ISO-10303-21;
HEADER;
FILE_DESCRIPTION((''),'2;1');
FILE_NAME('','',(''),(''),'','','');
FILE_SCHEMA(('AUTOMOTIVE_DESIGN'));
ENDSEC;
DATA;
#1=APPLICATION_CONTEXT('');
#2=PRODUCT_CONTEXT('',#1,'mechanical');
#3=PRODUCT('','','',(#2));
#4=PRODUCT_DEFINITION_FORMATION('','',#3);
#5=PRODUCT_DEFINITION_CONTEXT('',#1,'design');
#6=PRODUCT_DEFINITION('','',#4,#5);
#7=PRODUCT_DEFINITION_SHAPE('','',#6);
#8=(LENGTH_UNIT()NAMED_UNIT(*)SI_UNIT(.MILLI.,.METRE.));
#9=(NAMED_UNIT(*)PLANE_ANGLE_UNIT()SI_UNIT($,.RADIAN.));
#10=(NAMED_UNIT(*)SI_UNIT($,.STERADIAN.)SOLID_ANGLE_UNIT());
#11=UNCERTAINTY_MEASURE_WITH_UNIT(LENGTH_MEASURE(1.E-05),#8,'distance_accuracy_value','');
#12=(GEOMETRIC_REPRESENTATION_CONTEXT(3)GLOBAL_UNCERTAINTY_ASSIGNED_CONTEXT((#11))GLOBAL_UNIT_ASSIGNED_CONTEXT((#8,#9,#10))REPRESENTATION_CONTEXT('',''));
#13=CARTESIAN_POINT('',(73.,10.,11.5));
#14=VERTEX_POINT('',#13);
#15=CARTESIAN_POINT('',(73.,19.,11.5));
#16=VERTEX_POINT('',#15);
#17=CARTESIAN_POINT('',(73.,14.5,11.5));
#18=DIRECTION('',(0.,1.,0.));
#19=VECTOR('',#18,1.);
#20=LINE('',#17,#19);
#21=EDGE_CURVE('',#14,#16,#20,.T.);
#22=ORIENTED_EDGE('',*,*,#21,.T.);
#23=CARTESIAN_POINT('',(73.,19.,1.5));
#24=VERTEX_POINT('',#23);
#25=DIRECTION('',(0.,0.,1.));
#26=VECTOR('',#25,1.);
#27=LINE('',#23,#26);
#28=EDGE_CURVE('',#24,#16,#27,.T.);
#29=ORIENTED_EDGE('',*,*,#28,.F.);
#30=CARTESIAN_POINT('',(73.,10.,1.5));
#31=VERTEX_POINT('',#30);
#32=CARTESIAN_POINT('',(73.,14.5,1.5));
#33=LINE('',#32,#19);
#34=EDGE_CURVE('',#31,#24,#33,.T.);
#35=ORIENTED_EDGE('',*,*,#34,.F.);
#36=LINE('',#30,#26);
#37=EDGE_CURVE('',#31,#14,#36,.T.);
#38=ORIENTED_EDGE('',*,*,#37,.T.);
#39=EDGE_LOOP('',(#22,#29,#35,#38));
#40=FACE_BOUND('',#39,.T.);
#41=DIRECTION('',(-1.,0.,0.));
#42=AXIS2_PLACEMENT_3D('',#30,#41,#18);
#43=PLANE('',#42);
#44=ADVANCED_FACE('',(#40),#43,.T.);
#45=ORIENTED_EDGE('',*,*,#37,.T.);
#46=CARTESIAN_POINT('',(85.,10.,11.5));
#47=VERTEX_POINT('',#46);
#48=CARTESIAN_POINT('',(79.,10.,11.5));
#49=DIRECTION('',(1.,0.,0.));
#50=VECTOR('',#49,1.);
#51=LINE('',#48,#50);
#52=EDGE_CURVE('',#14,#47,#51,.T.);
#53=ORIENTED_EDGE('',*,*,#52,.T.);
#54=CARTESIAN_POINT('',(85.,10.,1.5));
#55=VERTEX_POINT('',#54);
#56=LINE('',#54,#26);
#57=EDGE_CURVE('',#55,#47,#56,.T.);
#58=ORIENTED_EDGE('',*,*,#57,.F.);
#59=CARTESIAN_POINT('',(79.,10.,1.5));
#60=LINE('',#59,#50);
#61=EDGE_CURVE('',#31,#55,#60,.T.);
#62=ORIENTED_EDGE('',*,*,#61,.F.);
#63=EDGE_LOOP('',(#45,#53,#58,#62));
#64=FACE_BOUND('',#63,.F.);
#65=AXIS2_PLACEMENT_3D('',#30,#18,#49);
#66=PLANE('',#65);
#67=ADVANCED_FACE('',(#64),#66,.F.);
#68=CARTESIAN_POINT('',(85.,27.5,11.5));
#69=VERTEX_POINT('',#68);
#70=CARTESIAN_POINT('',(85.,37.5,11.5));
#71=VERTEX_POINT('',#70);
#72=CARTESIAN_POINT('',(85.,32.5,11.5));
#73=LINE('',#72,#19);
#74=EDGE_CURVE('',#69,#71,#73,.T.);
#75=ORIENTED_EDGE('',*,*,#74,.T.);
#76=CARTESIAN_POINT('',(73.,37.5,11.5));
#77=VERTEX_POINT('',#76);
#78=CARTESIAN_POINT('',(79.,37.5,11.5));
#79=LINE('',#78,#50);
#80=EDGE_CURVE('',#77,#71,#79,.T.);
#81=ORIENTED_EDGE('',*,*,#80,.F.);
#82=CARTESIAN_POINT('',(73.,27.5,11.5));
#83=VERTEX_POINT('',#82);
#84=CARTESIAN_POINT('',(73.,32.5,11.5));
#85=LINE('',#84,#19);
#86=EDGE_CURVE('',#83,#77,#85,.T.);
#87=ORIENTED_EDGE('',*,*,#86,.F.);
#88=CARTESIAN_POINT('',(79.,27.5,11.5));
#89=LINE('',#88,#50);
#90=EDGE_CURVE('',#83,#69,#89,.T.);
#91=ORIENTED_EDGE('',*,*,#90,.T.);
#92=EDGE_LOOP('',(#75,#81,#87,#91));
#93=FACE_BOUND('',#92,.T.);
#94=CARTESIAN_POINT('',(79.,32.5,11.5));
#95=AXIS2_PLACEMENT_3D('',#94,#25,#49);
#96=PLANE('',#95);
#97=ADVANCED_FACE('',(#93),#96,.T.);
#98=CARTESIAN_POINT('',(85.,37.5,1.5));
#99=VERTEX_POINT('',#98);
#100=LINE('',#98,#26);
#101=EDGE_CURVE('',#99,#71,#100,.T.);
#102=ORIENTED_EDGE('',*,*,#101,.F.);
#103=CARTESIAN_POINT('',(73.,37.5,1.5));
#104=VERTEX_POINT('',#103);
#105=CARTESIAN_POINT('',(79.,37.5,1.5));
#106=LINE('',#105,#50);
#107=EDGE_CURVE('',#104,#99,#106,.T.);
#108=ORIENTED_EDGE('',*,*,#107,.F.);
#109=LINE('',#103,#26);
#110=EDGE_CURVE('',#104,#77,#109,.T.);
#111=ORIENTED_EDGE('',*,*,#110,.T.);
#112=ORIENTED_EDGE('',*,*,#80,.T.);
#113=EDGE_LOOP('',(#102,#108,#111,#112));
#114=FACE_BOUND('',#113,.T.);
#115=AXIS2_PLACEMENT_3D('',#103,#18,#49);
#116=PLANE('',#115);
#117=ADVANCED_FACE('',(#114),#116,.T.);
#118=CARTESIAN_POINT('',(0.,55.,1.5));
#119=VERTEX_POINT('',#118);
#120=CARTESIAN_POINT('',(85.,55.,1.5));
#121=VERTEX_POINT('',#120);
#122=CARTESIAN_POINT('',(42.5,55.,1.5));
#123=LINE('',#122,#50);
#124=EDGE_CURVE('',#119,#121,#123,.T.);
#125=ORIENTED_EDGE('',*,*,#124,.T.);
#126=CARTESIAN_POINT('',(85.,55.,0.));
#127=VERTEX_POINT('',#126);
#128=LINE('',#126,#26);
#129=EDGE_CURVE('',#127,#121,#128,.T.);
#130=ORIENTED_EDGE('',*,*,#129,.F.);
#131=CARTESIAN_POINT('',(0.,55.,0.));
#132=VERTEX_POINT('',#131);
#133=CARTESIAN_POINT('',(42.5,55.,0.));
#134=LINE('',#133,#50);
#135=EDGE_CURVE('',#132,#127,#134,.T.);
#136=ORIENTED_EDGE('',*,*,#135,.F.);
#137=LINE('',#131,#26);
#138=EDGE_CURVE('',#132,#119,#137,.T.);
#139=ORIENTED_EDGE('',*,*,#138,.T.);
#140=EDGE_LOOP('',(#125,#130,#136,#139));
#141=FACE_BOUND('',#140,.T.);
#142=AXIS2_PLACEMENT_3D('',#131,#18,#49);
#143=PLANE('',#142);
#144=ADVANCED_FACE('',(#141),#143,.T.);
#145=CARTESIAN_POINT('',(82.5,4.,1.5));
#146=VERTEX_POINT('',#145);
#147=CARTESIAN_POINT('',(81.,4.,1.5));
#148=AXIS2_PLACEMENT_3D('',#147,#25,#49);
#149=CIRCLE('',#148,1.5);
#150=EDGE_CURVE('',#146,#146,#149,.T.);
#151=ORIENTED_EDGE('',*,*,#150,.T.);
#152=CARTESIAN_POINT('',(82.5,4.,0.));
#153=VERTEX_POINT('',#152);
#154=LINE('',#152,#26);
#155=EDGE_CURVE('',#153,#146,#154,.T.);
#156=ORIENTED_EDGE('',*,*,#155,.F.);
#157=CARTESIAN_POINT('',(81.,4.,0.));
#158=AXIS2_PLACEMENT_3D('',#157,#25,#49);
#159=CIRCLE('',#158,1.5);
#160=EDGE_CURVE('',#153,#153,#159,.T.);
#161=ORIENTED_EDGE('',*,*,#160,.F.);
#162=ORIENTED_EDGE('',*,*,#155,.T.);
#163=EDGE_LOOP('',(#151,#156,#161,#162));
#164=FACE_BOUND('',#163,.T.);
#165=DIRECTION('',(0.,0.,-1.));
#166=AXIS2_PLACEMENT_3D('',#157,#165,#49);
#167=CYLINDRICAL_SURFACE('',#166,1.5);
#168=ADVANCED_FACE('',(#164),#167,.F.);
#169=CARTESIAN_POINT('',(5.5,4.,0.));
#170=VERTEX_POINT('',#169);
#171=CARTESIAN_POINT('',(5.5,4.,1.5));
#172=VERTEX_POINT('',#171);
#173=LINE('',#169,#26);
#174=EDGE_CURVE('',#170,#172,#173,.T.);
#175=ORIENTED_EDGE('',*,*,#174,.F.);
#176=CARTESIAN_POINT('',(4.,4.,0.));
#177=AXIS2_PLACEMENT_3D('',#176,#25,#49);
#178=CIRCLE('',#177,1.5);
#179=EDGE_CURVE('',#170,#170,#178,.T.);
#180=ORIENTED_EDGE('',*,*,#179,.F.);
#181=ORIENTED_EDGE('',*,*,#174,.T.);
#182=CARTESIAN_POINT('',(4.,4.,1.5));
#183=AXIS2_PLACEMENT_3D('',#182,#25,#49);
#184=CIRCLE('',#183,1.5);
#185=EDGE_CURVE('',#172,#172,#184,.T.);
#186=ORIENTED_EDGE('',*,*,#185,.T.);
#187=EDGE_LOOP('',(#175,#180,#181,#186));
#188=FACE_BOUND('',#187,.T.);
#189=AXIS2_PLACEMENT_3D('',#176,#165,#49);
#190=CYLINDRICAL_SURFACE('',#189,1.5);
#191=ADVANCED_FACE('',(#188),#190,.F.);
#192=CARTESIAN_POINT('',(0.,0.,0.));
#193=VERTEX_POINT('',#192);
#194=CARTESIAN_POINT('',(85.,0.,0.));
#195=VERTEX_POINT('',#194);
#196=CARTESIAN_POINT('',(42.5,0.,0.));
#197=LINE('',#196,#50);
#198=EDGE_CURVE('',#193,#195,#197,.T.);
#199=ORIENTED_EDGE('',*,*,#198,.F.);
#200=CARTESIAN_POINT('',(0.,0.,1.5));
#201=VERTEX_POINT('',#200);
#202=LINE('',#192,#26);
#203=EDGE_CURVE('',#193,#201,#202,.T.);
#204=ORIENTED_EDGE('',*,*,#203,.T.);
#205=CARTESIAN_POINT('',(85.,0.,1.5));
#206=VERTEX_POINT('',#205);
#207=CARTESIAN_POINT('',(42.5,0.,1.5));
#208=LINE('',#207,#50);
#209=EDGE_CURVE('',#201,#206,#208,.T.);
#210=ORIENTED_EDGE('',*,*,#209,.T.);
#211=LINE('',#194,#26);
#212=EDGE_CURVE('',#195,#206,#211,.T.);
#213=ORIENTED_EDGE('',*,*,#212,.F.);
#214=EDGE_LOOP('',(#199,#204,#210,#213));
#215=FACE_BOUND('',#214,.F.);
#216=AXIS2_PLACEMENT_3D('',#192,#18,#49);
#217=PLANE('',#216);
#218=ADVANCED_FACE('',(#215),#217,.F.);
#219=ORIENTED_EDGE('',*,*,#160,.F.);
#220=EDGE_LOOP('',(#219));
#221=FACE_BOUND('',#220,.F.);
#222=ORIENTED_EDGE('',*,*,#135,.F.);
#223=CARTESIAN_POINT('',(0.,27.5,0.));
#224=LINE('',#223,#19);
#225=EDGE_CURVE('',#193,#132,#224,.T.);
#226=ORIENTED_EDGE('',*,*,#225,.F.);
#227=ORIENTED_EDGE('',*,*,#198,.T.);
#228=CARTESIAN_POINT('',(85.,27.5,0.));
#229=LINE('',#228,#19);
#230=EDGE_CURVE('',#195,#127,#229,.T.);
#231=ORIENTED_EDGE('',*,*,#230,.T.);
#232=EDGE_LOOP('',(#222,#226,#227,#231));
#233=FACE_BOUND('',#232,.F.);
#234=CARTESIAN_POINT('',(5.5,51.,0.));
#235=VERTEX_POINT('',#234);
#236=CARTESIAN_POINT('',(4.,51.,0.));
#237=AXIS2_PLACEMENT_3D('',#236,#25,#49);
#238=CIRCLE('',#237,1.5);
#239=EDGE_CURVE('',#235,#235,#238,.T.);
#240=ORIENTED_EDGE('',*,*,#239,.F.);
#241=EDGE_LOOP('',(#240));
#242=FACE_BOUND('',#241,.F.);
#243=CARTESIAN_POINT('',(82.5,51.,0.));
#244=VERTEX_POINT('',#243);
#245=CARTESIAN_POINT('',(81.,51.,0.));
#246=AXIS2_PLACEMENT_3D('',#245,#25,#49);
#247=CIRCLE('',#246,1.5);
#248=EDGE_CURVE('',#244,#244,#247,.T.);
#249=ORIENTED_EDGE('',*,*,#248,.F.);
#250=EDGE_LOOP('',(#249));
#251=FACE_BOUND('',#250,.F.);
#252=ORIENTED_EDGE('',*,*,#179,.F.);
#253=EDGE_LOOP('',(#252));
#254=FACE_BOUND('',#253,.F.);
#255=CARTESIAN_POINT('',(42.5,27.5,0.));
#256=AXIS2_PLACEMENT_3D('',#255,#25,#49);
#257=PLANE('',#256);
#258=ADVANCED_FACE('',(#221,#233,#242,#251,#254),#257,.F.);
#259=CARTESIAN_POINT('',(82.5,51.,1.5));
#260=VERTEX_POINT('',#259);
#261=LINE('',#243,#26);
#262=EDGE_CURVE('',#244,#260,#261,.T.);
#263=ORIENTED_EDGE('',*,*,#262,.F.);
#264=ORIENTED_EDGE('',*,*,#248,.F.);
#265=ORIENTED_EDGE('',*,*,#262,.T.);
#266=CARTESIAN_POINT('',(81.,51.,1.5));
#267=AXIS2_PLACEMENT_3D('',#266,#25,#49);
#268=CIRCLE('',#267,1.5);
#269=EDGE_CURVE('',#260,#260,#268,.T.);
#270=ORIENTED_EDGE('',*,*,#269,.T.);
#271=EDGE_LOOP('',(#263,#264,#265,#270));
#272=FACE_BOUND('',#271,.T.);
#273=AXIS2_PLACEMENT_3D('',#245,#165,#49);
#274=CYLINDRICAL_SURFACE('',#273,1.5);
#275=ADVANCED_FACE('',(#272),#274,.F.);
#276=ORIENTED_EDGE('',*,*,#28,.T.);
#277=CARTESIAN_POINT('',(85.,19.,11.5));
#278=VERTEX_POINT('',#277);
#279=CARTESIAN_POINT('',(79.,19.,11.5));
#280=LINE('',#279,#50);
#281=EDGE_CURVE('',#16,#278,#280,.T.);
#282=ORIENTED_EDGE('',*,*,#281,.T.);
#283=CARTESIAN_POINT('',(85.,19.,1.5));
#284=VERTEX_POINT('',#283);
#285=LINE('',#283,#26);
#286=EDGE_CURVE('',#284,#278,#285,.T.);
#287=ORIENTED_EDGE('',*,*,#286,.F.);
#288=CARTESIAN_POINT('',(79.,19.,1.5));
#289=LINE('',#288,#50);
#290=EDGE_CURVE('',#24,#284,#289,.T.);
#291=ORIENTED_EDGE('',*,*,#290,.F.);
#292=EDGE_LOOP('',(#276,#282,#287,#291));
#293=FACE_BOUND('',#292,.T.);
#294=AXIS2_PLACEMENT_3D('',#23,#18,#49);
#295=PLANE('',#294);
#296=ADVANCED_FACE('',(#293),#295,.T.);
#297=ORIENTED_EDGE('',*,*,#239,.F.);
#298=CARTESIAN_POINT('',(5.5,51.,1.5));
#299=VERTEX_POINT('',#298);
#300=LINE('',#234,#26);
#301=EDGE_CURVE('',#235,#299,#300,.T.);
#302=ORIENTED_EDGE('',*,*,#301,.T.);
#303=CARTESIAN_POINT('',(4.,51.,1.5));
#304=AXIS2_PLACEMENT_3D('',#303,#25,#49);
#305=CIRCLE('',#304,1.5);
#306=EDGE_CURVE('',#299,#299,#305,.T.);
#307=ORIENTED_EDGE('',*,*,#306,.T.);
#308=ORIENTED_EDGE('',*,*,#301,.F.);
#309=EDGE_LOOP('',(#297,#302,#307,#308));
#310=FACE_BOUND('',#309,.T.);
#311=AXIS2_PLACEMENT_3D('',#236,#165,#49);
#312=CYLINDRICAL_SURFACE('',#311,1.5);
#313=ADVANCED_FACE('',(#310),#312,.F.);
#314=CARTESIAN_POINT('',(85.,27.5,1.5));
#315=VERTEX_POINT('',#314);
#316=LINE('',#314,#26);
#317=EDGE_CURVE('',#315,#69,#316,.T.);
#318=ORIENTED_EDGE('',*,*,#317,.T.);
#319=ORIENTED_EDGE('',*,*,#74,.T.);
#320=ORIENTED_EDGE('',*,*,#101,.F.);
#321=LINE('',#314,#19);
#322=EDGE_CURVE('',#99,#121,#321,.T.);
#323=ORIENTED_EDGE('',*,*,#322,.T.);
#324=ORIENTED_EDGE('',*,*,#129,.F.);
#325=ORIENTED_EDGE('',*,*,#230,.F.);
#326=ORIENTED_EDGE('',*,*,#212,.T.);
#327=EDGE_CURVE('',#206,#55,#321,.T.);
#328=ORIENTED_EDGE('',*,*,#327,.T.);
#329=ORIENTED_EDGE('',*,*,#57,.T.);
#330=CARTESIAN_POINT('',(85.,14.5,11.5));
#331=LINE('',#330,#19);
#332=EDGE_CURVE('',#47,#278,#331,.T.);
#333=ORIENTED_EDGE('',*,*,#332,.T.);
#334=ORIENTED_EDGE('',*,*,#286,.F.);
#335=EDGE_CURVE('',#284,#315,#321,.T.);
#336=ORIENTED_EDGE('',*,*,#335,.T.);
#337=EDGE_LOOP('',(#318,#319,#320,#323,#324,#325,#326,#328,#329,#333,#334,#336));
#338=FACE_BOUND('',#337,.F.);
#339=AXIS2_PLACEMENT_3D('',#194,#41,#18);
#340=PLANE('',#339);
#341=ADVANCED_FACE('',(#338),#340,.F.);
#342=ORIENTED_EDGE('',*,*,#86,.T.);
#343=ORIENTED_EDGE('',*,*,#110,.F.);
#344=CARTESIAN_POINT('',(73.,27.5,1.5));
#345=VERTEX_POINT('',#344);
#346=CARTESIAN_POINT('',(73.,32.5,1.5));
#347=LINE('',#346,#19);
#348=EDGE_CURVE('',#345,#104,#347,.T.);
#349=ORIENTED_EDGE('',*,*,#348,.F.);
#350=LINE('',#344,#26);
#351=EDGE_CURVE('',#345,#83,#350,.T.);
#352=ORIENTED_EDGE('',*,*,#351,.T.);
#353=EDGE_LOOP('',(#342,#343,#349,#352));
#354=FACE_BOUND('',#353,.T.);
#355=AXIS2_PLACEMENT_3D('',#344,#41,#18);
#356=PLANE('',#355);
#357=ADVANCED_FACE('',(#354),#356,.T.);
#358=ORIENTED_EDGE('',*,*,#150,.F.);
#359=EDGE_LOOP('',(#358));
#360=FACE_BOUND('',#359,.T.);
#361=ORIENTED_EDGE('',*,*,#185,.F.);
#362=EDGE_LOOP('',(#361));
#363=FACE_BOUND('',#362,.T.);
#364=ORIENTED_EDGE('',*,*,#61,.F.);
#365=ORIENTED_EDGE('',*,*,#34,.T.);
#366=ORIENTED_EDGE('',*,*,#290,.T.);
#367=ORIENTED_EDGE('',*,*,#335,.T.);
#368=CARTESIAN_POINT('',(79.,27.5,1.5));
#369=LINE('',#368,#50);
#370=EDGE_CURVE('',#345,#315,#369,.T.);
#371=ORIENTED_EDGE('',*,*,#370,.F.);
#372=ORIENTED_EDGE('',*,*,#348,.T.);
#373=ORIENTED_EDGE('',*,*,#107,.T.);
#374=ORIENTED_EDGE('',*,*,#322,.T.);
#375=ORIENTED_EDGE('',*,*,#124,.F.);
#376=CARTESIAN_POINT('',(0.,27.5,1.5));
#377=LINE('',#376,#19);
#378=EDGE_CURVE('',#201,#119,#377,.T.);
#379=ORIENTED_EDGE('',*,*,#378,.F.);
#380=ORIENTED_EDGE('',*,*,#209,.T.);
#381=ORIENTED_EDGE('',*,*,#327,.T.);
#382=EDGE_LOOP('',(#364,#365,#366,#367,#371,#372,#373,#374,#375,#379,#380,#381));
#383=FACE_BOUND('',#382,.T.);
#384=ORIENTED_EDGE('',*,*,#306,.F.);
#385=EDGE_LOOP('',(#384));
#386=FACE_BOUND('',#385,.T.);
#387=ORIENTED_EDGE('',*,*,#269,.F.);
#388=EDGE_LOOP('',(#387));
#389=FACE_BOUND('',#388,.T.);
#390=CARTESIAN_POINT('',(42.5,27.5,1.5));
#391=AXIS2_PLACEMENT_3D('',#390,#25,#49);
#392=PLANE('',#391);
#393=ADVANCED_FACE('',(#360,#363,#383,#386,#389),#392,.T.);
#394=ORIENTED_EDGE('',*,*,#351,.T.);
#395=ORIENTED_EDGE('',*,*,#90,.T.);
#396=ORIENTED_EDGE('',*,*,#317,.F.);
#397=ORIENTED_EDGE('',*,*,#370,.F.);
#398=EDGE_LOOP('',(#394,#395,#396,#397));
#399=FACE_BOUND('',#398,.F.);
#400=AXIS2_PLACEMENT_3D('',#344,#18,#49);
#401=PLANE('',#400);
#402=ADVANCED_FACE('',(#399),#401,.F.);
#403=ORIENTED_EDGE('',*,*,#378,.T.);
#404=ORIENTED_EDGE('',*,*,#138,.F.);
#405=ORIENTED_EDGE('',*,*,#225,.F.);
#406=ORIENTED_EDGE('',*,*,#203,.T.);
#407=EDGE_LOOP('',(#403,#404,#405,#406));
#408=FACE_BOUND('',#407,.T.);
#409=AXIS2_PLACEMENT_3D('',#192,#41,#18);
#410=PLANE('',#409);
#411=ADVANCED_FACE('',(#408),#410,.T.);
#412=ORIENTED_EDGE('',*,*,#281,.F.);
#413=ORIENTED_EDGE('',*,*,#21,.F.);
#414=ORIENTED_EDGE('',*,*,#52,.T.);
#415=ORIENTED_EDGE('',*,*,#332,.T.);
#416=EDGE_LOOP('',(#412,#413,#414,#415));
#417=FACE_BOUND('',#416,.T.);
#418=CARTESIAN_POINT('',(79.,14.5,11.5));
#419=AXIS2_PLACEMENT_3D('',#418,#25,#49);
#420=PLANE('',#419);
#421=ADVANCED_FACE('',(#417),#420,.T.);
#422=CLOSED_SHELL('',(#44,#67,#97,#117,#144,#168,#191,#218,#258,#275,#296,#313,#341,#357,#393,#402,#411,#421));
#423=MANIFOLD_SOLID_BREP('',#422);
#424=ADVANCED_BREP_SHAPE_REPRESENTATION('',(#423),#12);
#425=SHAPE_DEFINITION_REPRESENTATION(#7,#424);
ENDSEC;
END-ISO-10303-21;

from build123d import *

# Parameters (mm, degrees)
F0_W     = 85
F0_H     = 55
F0_R     = 1.5
F1_DEPTH = 1.5
F2_W     = 12
F2_H     = 9
F2_H_2   = 10
F3_DEPTH = 10


with BuildPart() as f1:
    # F0 (on Top) → F1 (new body)
    with BuildSketch(Plane.XY):
        with Locations((42.5, 27.5)):
            Rectangle(F0_W, F0_H)
        with Locations((4, 4)):
            Circle(F0_R, mode=Mode.SUBTRACT)
        with Locations((81, 4)):
            Circle(F0_R, mode=Mode.SUBTRACT)
        with Locations((4, 51)):
            Circle(F0_R, mode=Mode.SUBTRACT)
        with Locations((81, 51)):
            Circle(F0_R, mode=Mode.SUBTRACT)
    extrude(amount=F1_DEPTH)

    # F2 (on face) → F3 (join)
    with BuildSketch(Plane.XY.offset(1.5)):
        with Locations((79, 14.5)):
            Rectangle(F2_W, F2_H)
        with Locations((79, 32.5)):
            Rectangle(F2_W, F2_H_2)
    extrude(amount=F3_DEPTH)


solid = f1.part
